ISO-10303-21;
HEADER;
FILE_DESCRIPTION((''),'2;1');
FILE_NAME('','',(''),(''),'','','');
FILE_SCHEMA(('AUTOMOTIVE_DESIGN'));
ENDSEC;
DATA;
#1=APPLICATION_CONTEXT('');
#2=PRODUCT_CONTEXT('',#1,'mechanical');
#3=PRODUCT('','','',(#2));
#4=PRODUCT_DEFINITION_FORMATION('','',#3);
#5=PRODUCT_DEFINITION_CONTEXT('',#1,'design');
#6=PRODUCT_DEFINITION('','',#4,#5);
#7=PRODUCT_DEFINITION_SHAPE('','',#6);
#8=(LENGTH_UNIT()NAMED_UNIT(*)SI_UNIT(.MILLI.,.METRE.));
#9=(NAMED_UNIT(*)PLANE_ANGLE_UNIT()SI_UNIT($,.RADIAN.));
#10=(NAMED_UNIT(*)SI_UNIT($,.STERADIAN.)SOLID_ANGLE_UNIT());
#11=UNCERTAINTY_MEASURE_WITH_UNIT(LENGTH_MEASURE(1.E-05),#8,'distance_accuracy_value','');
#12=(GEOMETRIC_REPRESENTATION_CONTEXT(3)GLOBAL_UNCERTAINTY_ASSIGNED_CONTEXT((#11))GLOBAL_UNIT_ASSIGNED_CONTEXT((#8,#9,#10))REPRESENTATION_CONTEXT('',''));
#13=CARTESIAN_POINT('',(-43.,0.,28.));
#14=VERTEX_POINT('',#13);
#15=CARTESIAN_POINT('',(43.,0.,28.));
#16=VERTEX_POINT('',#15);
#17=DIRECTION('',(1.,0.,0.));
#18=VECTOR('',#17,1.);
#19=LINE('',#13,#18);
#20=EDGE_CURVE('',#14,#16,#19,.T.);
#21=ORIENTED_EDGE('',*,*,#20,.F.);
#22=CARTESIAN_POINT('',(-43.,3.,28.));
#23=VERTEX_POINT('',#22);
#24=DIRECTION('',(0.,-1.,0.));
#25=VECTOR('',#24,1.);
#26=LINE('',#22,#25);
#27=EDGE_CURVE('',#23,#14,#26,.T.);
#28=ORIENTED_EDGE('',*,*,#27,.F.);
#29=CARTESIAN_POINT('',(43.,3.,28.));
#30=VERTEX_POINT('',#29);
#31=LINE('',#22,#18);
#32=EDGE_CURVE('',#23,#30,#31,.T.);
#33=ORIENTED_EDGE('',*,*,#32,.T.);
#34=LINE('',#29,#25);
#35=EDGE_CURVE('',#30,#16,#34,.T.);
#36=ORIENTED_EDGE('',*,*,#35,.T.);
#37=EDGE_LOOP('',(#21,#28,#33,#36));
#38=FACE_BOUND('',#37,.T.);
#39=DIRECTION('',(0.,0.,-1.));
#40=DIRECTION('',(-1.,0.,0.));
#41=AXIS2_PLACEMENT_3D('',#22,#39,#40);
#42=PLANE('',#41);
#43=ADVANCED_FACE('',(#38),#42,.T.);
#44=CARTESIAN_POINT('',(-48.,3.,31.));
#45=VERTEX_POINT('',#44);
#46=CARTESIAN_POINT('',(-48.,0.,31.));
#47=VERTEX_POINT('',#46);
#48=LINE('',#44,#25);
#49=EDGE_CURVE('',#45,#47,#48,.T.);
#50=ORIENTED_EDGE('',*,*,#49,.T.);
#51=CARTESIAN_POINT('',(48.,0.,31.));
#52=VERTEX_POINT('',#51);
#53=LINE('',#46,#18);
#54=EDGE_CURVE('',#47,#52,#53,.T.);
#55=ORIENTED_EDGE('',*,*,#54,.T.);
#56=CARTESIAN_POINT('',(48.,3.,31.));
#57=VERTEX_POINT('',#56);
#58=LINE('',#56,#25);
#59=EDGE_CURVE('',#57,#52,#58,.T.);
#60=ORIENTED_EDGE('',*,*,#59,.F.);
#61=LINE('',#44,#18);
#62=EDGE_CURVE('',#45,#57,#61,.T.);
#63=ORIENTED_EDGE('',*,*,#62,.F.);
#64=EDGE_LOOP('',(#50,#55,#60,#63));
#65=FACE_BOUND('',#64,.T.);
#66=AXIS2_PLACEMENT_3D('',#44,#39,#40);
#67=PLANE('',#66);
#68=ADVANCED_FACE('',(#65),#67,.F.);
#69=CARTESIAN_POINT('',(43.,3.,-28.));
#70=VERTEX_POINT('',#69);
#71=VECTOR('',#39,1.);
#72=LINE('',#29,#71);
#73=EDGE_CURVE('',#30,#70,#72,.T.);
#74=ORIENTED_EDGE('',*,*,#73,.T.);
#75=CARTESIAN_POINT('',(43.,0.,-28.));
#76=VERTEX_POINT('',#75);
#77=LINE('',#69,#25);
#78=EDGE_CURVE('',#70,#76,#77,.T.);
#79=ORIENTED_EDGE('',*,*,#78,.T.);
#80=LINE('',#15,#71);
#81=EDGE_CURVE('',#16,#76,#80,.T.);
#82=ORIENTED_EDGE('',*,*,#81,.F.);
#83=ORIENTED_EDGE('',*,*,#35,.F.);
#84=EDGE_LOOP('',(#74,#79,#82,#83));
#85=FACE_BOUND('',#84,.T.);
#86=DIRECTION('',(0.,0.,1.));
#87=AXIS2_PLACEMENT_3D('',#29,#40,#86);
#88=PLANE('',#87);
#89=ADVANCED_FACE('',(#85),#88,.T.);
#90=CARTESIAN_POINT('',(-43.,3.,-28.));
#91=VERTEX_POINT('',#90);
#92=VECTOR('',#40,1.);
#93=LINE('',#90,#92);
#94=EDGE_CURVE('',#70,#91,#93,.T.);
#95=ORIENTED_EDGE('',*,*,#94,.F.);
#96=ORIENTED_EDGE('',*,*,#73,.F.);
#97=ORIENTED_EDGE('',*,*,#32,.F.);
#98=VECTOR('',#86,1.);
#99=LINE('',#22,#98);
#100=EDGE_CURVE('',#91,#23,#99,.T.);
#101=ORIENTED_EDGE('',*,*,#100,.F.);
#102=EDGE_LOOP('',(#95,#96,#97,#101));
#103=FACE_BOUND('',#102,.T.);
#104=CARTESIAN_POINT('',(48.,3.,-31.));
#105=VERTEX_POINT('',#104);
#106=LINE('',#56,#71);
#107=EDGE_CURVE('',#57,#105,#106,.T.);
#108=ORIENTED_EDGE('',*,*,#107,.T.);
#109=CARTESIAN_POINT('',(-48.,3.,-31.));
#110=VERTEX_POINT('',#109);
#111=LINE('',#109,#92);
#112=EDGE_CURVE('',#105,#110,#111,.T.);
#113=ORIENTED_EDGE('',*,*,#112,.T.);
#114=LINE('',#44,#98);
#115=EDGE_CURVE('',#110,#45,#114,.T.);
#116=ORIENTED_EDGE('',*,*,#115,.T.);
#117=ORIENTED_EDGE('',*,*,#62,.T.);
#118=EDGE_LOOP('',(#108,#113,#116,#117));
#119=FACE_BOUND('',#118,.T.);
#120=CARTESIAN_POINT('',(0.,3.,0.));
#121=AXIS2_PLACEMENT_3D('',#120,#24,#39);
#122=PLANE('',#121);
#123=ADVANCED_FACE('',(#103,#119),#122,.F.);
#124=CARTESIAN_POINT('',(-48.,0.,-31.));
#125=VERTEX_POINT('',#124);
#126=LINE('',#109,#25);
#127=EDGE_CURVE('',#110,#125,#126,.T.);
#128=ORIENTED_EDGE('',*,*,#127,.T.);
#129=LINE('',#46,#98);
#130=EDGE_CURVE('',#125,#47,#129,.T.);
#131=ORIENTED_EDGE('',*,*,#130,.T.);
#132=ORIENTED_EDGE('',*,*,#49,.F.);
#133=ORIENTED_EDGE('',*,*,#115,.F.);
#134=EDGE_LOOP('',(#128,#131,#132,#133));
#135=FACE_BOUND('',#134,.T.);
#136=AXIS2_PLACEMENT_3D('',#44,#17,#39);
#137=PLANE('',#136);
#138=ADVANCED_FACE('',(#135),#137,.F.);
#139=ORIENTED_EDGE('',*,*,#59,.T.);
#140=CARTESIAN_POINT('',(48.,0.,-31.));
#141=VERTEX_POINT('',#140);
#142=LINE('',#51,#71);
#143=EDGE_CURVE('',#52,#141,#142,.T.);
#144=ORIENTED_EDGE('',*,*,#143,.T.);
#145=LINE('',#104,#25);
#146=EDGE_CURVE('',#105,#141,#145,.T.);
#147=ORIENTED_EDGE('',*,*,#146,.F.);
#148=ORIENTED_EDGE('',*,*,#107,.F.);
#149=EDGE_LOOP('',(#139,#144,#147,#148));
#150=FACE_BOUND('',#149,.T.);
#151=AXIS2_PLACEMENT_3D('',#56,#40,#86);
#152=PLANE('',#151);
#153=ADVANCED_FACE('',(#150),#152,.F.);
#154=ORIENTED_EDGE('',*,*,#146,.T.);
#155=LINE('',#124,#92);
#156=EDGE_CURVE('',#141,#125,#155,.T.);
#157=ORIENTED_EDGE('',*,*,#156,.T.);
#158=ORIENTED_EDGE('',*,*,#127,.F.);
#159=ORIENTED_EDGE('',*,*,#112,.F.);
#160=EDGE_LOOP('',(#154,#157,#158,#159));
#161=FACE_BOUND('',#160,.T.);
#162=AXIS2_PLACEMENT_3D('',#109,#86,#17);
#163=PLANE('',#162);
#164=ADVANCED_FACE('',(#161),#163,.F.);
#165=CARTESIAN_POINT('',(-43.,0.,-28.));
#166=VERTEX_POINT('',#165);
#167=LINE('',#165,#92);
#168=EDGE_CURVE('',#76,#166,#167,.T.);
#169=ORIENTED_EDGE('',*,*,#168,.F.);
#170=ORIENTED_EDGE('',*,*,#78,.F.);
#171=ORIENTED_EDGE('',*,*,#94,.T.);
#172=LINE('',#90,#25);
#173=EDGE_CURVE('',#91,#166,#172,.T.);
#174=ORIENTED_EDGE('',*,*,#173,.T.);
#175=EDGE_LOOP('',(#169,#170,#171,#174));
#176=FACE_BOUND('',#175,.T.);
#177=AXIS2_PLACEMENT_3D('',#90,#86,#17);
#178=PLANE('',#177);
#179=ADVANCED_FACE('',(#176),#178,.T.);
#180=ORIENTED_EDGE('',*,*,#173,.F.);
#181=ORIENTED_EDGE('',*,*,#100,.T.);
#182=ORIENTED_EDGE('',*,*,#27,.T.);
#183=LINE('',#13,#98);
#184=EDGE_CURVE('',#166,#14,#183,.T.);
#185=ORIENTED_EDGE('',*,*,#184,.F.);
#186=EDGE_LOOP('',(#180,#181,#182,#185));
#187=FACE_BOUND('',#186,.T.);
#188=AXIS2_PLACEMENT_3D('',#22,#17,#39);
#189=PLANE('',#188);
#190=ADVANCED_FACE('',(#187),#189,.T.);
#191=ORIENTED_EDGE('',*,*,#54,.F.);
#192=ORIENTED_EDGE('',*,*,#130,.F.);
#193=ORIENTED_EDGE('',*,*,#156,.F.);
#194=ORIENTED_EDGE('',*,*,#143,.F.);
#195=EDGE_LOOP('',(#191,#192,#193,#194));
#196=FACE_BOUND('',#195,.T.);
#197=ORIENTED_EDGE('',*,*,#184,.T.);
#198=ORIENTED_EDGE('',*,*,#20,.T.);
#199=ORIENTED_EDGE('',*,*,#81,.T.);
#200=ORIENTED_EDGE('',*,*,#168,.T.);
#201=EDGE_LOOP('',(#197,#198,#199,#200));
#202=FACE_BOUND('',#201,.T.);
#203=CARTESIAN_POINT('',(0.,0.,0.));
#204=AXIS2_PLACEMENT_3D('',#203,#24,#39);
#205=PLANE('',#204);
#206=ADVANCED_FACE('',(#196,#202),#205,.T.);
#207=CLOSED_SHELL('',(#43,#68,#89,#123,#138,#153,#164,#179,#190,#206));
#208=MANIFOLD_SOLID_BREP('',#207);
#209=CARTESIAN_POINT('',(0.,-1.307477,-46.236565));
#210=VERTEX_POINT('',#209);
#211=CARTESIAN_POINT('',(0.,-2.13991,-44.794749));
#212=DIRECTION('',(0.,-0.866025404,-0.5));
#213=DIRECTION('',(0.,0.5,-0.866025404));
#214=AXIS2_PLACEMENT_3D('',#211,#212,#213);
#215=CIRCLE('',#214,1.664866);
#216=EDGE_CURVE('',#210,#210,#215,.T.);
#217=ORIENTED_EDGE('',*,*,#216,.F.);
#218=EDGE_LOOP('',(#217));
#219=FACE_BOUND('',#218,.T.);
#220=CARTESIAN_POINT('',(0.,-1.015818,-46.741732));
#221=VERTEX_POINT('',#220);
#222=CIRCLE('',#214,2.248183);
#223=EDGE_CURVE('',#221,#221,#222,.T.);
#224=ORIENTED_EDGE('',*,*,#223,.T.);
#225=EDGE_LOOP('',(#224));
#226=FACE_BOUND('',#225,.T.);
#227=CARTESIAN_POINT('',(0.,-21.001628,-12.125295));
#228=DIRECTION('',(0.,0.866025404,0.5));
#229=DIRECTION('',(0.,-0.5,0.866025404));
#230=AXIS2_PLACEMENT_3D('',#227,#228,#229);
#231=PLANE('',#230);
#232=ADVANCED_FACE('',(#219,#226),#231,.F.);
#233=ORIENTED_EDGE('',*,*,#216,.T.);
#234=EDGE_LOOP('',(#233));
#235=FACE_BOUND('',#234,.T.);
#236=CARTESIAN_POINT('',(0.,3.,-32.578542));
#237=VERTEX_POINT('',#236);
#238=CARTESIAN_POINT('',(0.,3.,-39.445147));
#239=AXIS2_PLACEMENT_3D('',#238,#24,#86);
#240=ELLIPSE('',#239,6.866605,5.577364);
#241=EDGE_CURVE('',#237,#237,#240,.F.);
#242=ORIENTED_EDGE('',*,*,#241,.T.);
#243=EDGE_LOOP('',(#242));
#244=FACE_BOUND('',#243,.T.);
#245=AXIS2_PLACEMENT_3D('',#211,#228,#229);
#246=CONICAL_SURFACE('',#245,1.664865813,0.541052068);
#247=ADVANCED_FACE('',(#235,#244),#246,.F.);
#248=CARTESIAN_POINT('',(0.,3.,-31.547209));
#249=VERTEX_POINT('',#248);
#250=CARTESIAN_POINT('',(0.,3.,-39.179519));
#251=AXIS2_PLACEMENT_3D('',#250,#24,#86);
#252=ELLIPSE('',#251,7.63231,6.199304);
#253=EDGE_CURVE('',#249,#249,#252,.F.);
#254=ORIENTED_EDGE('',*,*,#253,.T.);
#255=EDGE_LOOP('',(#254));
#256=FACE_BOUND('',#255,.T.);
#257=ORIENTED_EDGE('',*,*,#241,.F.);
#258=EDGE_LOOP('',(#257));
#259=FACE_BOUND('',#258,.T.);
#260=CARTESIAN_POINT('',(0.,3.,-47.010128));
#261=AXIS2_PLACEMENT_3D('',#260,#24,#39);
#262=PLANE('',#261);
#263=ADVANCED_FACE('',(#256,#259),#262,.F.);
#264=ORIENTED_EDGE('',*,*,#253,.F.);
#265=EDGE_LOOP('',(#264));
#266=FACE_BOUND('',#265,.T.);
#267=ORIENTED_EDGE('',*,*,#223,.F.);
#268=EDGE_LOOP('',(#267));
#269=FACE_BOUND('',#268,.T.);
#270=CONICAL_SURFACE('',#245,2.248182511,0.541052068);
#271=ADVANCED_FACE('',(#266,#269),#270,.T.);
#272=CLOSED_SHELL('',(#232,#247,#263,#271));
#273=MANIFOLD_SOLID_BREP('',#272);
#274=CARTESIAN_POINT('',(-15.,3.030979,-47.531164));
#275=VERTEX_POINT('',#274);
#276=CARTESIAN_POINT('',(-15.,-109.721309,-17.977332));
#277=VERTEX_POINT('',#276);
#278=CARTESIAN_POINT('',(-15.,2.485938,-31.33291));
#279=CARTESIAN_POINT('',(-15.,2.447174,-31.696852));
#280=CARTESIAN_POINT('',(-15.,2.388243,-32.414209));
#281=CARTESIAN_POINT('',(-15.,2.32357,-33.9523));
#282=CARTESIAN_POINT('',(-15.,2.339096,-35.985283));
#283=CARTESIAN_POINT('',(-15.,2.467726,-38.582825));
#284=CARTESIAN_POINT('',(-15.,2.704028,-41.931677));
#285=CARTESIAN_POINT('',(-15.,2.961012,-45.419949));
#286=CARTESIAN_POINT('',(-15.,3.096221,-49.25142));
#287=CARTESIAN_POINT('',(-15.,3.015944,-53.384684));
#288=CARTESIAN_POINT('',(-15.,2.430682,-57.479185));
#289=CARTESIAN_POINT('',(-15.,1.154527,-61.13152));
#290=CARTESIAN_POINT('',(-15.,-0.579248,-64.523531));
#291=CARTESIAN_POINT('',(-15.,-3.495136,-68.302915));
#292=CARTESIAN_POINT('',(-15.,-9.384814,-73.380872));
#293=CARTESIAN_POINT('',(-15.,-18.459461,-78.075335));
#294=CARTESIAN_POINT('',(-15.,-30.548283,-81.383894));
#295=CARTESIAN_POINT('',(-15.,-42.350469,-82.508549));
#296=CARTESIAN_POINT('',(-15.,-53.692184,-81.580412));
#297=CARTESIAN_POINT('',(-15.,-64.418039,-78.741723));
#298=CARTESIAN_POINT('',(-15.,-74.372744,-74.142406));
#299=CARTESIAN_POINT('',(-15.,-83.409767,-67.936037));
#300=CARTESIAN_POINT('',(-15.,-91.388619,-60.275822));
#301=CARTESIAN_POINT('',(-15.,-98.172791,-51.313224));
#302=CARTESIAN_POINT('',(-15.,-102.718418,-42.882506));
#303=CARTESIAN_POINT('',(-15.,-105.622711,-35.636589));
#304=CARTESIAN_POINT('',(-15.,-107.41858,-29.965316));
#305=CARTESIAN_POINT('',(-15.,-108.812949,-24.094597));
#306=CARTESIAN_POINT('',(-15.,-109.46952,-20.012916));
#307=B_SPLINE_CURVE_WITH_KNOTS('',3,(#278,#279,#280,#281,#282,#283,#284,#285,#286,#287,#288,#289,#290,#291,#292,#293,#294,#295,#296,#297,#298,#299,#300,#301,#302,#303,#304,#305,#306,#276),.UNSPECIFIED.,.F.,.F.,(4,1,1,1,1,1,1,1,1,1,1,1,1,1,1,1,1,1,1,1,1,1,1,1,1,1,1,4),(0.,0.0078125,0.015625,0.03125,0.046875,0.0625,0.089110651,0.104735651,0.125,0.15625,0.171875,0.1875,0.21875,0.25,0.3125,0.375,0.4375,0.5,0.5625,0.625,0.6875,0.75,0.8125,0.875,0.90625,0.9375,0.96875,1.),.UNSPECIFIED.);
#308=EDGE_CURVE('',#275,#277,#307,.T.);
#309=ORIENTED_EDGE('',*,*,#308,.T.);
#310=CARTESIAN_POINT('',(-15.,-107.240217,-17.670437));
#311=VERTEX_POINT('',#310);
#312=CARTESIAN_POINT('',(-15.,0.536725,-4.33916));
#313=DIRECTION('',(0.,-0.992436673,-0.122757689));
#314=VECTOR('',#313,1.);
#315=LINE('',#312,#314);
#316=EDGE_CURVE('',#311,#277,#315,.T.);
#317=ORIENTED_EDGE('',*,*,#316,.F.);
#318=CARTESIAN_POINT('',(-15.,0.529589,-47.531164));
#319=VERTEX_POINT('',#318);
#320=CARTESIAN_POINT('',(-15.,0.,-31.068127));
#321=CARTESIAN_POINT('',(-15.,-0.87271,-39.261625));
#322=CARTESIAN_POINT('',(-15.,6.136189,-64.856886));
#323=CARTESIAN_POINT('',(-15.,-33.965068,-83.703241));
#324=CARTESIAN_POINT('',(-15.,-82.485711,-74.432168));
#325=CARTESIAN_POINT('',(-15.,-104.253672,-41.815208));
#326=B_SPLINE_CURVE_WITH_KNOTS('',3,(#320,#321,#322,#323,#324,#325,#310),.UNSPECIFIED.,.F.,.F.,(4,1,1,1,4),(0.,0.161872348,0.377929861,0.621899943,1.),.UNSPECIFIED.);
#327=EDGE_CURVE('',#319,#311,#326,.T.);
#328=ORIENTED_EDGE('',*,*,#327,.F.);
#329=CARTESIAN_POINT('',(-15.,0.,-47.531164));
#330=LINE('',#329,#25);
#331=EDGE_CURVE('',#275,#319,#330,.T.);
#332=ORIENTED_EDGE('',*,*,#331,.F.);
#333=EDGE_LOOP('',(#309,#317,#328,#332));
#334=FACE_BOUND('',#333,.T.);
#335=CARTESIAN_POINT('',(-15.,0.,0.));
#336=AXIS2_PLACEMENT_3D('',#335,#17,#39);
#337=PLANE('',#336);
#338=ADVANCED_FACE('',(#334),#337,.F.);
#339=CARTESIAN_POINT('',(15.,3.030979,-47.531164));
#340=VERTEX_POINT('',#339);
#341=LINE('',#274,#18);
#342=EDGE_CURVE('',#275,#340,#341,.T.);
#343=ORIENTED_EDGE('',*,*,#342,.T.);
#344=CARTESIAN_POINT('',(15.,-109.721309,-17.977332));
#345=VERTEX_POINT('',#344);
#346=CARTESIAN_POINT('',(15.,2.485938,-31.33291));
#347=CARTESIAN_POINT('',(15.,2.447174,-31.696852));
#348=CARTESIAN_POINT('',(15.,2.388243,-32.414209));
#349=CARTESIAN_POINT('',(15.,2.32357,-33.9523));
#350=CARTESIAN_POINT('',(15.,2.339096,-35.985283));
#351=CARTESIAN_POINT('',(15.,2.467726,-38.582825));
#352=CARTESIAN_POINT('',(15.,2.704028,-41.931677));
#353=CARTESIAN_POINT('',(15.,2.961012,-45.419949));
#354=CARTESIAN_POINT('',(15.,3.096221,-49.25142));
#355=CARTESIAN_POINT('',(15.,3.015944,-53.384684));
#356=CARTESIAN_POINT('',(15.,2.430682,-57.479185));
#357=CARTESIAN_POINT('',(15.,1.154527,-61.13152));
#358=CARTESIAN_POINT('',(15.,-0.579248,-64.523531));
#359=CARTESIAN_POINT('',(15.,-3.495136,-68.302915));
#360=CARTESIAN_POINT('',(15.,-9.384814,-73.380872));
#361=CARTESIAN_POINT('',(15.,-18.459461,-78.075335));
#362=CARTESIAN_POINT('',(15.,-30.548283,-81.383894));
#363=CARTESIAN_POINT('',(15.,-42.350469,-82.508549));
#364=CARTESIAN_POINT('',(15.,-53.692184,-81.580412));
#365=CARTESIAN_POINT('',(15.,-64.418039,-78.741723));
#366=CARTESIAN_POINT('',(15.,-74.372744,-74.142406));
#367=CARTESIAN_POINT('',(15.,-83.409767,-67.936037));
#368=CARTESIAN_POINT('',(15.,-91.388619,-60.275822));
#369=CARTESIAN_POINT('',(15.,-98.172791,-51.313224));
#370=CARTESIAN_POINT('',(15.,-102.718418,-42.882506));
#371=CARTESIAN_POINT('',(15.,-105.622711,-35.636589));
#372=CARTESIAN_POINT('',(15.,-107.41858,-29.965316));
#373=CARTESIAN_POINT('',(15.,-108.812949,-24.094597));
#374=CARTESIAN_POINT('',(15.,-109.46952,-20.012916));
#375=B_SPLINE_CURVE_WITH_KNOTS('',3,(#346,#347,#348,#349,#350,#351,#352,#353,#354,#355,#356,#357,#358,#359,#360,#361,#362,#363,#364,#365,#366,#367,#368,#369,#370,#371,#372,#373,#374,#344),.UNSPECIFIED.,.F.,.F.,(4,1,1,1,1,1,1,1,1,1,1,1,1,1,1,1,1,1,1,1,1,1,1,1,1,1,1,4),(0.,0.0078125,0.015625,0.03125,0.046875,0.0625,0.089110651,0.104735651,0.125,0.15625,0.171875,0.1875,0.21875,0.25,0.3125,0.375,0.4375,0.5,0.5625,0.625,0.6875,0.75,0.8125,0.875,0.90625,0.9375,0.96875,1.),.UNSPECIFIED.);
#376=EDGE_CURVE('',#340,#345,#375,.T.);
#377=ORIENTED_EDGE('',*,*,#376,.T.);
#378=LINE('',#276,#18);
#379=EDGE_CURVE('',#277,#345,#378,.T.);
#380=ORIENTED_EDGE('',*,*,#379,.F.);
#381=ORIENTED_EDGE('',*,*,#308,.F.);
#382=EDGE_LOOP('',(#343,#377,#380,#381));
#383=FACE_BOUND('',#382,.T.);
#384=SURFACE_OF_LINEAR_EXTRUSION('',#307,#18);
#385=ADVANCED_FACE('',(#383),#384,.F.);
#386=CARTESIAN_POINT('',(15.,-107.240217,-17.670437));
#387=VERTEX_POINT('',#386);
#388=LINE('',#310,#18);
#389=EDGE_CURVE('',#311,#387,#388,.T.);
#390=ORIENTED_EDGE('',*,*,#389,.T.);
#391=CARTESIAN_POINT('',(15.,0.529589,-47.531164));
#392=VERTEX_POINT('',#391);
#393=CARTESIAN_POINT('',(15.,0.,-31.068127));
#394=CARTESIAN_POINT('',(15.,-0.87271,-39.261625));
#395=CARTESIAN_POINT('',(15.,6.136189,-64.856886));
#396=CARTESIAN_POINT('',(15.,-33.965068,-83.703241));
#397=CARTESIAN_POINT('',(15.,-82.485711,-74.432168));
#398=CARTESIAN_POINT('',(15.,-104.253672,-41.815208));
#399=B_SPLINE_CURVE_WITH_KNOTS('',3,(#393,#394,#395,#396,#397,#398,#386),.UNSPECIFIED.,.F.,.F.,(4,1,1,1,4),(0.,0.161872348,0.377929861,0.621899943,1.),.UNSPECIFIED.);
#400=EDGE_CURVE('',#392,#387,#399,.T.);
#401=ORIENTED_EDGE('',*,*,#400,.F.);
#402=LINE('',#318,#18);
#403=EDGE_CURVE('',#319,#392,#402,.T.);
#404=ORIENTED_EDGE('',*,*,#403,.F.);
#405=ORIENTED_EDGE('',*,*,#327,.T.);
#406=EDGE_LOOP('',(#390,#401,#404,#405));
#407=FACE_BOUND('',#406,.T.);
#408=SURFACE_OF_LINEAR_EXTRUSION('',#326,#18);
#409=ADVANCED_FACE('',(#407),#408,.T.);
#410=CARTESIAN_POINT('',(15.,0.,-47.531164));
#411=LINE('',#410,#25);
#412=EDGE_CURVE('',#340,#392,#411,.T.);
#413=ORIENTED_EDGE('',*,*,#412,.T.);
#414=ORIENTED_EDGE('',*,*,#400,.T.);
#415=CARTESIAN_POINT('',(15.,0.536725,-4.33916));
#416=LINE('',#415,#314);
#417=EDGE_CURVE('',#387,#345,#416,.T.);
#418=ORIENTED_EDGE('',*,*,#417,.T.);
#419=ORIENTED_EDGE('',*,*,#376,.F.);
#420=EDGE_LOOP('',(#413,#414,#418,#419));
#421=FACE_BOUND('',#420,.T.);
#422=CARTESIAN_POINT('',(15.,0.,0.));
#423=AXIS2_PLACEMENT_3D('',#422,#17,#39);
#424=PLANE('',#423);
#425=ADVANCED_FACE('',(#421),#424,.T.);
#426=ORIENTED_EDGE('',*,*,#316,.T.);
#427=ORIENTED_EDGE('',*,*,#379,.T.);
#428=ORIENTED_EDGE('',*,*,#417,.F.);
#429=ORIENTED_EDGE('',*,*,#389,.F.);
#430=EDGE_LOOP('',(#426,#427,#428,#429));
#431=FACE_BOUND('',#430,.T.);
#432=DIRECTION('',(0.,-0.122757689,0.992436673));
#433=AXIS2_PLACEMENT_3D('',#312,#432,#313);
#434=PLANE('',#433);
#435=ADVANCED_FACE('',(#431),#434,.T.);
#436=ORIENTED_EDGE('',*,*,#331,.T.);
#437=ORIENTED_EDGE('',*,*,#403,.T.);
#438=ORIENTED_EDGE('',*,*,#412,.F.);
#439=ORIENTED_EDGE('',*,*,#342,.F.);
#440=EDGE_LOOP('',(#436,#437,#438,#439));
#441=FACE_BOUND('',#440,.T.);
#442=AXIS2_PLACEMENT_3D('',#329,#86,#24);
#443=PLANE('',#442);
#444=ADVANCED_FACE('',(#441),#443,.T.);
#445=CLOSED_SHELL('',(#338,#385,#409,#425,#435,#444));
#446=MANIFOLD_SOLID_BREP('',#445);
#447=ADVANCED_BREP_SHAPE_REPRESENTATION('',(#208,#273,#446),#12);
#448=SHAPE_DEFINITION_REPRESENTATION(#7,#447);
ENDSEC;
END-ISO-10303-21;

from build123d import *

# Parameters (mm, degrees)
SKETCH1_W                = 96
SKETCH1_H                = 62
SKETCH1_W_2              = 86
SKETCH1_H_2              = 56
BOSS_EXTRUDE1_DEPTH      = 3
CUT_EXTRUDE1_DEPTH       = 80.713392874
CUT_EXTRUDE1_DEPTH_BACK  = 80.713392874
SKETCH6_W                = 96
SKETCH6_H                = 13.293726608
BOSS_EXTRUDE4_DEPTH      = 15
BOSS_EXTRUDE4_DEPTH_BACK = 15


with BuildPart() as part:
    # Sketch1 → Boss-Extrude1 (new body)
    with BuildSketch(Plane(origin=(0, 0, 0), x_dir=(1, 0, 0), z_dir=(0, 1, 0))):
        Rectangle(SKETCH1_W, SKETCH1_H)
        Rectangle(SKETCH1_W_2, SKETCH1_H_2, mode=Mode.SUBTRACT)
    extrude(amount=BOSS_EXTRUDE1_DEPTH)


with BuildPart() as body_2:
    # Sketch5 → Revolve4 (revolve)
    with BuildSketch(Plane(origin=(0, 0, 0), x_dir=(0, 0, -1), z_dir=(1, 0, 0))):
        Polygon((42.847766111, -3.264000825), (43.35293319, -2.972342476), (32.435517398, 3.079279916), (29.397254743, 4.191739373), align=None)
    revolve(axis=Axis((0, -3.698755296, -45.694749278), (0, 0.8660254037844369, 0.500000000000003)))

    # Sketch6 → Cut-Extrude1 (cut, two sides: drawn at the far end of the back side and taken through both)
    with BuildSketch(Plane(origin=(0, 0, -31), x_dir=(-1, 0, 0), z_dir=(0, 0, -1)).offset(-CUT_EXTRUDE1_DEPTH_BACK)):
        with Locations((0, 9.646863304)):
            Rectangle(SKETCH6_W, SKETCH6_H)
    extrude(amount=CUT_EXTRUDE1_DEPTH + CUT_EXTRUDE1_DEPTH_BACK, mode=Mode.SUBTRACT)


with BuildPart() as body_3:
    # Sketch8 → Boss-Extrude4 (new, two sides: drawn at the far end of the back side and taken through both)
    with BuildSketch(Plane(origin=(0, 0, 0), x_dir=(0, 0, -1), z_dir=(1, 0, 0)).offset(-BOSS_EXTRUDE4_DEPTH_BACK)):
        with BuildLine():
            add(Edge.make_bspline(
                [(47.531164419, 3.030978584), (48.009584276, 3.046669454), (49.732376843, 3.086879364), (53.384684416, 3.015943662), (57.479184653, 2.430682323), (61.13151972, 1.154527365), (64.523530603, -0.579248262), (68.302915016, -3.495135949), (73.380871896, -9.384814257), (78.075335274, -18.459460773), (81.383893935, -30.548283247), (82.508549274, -42.350469107), (81.580412229, -53.692183539), (78.741723123, -64.418039329), (74.142405699, -74.372744484), (67.936037484, -83.409767304), (60.275822495, -91.388619366), (51.313224287, -98.172791495), (42.882505577, -102.718417904), (35.636589118, -105.622711347), (29.965316017, -107.418579535), (24.094596986, -108.812948877), (20.012916325, -109.469520478), (17.977331626, -109.721308507)],
                knots=[0.096923151, 0.096923151, 0.096923151, 0.096923151, 0.104735651, 0.125, 0.15625, 0.171875, 0.1875, 0.21875, 0.25, 0.3125, 0.375, 0.4375, 0.5, 0.5625, 0.625, 0.6875, 0.75, 0.8125, 0.875, 0.90625, 0.9375, 0.96875, 1, 1, 1, 1], degree=3))
            Line((47.531164419, 3.030978584), (47.531164419, 0.529588868))
            add(Edge.make_bspline(
                [(47.531164419, 0.529588868), (51.406061382, 0.660967006), (67.78011602, -0.083857455), (83.703241013, -33.965068364), (74.432168029, -82.485710543), (41.81520848, -104.253672305), (17.670437403, -107.240216824)],
                knots=[0.096461977, 0.096461977, 0.096461977, 0.096461977, 0.161872348, 0.377929861, 0.621899943, 1, 1, 1, 1], degree=3))
            Line((17.670437403, -107.240216824), (17.977331626, -109.721308507))
        make_face()
    extrude(amount=BOSS_EXTRUDE4_DEPTH + BOSS_EXTRUDE4_DEPTH_BACK)


solid = Compound([part.part, body_2.part, body_3.part])
